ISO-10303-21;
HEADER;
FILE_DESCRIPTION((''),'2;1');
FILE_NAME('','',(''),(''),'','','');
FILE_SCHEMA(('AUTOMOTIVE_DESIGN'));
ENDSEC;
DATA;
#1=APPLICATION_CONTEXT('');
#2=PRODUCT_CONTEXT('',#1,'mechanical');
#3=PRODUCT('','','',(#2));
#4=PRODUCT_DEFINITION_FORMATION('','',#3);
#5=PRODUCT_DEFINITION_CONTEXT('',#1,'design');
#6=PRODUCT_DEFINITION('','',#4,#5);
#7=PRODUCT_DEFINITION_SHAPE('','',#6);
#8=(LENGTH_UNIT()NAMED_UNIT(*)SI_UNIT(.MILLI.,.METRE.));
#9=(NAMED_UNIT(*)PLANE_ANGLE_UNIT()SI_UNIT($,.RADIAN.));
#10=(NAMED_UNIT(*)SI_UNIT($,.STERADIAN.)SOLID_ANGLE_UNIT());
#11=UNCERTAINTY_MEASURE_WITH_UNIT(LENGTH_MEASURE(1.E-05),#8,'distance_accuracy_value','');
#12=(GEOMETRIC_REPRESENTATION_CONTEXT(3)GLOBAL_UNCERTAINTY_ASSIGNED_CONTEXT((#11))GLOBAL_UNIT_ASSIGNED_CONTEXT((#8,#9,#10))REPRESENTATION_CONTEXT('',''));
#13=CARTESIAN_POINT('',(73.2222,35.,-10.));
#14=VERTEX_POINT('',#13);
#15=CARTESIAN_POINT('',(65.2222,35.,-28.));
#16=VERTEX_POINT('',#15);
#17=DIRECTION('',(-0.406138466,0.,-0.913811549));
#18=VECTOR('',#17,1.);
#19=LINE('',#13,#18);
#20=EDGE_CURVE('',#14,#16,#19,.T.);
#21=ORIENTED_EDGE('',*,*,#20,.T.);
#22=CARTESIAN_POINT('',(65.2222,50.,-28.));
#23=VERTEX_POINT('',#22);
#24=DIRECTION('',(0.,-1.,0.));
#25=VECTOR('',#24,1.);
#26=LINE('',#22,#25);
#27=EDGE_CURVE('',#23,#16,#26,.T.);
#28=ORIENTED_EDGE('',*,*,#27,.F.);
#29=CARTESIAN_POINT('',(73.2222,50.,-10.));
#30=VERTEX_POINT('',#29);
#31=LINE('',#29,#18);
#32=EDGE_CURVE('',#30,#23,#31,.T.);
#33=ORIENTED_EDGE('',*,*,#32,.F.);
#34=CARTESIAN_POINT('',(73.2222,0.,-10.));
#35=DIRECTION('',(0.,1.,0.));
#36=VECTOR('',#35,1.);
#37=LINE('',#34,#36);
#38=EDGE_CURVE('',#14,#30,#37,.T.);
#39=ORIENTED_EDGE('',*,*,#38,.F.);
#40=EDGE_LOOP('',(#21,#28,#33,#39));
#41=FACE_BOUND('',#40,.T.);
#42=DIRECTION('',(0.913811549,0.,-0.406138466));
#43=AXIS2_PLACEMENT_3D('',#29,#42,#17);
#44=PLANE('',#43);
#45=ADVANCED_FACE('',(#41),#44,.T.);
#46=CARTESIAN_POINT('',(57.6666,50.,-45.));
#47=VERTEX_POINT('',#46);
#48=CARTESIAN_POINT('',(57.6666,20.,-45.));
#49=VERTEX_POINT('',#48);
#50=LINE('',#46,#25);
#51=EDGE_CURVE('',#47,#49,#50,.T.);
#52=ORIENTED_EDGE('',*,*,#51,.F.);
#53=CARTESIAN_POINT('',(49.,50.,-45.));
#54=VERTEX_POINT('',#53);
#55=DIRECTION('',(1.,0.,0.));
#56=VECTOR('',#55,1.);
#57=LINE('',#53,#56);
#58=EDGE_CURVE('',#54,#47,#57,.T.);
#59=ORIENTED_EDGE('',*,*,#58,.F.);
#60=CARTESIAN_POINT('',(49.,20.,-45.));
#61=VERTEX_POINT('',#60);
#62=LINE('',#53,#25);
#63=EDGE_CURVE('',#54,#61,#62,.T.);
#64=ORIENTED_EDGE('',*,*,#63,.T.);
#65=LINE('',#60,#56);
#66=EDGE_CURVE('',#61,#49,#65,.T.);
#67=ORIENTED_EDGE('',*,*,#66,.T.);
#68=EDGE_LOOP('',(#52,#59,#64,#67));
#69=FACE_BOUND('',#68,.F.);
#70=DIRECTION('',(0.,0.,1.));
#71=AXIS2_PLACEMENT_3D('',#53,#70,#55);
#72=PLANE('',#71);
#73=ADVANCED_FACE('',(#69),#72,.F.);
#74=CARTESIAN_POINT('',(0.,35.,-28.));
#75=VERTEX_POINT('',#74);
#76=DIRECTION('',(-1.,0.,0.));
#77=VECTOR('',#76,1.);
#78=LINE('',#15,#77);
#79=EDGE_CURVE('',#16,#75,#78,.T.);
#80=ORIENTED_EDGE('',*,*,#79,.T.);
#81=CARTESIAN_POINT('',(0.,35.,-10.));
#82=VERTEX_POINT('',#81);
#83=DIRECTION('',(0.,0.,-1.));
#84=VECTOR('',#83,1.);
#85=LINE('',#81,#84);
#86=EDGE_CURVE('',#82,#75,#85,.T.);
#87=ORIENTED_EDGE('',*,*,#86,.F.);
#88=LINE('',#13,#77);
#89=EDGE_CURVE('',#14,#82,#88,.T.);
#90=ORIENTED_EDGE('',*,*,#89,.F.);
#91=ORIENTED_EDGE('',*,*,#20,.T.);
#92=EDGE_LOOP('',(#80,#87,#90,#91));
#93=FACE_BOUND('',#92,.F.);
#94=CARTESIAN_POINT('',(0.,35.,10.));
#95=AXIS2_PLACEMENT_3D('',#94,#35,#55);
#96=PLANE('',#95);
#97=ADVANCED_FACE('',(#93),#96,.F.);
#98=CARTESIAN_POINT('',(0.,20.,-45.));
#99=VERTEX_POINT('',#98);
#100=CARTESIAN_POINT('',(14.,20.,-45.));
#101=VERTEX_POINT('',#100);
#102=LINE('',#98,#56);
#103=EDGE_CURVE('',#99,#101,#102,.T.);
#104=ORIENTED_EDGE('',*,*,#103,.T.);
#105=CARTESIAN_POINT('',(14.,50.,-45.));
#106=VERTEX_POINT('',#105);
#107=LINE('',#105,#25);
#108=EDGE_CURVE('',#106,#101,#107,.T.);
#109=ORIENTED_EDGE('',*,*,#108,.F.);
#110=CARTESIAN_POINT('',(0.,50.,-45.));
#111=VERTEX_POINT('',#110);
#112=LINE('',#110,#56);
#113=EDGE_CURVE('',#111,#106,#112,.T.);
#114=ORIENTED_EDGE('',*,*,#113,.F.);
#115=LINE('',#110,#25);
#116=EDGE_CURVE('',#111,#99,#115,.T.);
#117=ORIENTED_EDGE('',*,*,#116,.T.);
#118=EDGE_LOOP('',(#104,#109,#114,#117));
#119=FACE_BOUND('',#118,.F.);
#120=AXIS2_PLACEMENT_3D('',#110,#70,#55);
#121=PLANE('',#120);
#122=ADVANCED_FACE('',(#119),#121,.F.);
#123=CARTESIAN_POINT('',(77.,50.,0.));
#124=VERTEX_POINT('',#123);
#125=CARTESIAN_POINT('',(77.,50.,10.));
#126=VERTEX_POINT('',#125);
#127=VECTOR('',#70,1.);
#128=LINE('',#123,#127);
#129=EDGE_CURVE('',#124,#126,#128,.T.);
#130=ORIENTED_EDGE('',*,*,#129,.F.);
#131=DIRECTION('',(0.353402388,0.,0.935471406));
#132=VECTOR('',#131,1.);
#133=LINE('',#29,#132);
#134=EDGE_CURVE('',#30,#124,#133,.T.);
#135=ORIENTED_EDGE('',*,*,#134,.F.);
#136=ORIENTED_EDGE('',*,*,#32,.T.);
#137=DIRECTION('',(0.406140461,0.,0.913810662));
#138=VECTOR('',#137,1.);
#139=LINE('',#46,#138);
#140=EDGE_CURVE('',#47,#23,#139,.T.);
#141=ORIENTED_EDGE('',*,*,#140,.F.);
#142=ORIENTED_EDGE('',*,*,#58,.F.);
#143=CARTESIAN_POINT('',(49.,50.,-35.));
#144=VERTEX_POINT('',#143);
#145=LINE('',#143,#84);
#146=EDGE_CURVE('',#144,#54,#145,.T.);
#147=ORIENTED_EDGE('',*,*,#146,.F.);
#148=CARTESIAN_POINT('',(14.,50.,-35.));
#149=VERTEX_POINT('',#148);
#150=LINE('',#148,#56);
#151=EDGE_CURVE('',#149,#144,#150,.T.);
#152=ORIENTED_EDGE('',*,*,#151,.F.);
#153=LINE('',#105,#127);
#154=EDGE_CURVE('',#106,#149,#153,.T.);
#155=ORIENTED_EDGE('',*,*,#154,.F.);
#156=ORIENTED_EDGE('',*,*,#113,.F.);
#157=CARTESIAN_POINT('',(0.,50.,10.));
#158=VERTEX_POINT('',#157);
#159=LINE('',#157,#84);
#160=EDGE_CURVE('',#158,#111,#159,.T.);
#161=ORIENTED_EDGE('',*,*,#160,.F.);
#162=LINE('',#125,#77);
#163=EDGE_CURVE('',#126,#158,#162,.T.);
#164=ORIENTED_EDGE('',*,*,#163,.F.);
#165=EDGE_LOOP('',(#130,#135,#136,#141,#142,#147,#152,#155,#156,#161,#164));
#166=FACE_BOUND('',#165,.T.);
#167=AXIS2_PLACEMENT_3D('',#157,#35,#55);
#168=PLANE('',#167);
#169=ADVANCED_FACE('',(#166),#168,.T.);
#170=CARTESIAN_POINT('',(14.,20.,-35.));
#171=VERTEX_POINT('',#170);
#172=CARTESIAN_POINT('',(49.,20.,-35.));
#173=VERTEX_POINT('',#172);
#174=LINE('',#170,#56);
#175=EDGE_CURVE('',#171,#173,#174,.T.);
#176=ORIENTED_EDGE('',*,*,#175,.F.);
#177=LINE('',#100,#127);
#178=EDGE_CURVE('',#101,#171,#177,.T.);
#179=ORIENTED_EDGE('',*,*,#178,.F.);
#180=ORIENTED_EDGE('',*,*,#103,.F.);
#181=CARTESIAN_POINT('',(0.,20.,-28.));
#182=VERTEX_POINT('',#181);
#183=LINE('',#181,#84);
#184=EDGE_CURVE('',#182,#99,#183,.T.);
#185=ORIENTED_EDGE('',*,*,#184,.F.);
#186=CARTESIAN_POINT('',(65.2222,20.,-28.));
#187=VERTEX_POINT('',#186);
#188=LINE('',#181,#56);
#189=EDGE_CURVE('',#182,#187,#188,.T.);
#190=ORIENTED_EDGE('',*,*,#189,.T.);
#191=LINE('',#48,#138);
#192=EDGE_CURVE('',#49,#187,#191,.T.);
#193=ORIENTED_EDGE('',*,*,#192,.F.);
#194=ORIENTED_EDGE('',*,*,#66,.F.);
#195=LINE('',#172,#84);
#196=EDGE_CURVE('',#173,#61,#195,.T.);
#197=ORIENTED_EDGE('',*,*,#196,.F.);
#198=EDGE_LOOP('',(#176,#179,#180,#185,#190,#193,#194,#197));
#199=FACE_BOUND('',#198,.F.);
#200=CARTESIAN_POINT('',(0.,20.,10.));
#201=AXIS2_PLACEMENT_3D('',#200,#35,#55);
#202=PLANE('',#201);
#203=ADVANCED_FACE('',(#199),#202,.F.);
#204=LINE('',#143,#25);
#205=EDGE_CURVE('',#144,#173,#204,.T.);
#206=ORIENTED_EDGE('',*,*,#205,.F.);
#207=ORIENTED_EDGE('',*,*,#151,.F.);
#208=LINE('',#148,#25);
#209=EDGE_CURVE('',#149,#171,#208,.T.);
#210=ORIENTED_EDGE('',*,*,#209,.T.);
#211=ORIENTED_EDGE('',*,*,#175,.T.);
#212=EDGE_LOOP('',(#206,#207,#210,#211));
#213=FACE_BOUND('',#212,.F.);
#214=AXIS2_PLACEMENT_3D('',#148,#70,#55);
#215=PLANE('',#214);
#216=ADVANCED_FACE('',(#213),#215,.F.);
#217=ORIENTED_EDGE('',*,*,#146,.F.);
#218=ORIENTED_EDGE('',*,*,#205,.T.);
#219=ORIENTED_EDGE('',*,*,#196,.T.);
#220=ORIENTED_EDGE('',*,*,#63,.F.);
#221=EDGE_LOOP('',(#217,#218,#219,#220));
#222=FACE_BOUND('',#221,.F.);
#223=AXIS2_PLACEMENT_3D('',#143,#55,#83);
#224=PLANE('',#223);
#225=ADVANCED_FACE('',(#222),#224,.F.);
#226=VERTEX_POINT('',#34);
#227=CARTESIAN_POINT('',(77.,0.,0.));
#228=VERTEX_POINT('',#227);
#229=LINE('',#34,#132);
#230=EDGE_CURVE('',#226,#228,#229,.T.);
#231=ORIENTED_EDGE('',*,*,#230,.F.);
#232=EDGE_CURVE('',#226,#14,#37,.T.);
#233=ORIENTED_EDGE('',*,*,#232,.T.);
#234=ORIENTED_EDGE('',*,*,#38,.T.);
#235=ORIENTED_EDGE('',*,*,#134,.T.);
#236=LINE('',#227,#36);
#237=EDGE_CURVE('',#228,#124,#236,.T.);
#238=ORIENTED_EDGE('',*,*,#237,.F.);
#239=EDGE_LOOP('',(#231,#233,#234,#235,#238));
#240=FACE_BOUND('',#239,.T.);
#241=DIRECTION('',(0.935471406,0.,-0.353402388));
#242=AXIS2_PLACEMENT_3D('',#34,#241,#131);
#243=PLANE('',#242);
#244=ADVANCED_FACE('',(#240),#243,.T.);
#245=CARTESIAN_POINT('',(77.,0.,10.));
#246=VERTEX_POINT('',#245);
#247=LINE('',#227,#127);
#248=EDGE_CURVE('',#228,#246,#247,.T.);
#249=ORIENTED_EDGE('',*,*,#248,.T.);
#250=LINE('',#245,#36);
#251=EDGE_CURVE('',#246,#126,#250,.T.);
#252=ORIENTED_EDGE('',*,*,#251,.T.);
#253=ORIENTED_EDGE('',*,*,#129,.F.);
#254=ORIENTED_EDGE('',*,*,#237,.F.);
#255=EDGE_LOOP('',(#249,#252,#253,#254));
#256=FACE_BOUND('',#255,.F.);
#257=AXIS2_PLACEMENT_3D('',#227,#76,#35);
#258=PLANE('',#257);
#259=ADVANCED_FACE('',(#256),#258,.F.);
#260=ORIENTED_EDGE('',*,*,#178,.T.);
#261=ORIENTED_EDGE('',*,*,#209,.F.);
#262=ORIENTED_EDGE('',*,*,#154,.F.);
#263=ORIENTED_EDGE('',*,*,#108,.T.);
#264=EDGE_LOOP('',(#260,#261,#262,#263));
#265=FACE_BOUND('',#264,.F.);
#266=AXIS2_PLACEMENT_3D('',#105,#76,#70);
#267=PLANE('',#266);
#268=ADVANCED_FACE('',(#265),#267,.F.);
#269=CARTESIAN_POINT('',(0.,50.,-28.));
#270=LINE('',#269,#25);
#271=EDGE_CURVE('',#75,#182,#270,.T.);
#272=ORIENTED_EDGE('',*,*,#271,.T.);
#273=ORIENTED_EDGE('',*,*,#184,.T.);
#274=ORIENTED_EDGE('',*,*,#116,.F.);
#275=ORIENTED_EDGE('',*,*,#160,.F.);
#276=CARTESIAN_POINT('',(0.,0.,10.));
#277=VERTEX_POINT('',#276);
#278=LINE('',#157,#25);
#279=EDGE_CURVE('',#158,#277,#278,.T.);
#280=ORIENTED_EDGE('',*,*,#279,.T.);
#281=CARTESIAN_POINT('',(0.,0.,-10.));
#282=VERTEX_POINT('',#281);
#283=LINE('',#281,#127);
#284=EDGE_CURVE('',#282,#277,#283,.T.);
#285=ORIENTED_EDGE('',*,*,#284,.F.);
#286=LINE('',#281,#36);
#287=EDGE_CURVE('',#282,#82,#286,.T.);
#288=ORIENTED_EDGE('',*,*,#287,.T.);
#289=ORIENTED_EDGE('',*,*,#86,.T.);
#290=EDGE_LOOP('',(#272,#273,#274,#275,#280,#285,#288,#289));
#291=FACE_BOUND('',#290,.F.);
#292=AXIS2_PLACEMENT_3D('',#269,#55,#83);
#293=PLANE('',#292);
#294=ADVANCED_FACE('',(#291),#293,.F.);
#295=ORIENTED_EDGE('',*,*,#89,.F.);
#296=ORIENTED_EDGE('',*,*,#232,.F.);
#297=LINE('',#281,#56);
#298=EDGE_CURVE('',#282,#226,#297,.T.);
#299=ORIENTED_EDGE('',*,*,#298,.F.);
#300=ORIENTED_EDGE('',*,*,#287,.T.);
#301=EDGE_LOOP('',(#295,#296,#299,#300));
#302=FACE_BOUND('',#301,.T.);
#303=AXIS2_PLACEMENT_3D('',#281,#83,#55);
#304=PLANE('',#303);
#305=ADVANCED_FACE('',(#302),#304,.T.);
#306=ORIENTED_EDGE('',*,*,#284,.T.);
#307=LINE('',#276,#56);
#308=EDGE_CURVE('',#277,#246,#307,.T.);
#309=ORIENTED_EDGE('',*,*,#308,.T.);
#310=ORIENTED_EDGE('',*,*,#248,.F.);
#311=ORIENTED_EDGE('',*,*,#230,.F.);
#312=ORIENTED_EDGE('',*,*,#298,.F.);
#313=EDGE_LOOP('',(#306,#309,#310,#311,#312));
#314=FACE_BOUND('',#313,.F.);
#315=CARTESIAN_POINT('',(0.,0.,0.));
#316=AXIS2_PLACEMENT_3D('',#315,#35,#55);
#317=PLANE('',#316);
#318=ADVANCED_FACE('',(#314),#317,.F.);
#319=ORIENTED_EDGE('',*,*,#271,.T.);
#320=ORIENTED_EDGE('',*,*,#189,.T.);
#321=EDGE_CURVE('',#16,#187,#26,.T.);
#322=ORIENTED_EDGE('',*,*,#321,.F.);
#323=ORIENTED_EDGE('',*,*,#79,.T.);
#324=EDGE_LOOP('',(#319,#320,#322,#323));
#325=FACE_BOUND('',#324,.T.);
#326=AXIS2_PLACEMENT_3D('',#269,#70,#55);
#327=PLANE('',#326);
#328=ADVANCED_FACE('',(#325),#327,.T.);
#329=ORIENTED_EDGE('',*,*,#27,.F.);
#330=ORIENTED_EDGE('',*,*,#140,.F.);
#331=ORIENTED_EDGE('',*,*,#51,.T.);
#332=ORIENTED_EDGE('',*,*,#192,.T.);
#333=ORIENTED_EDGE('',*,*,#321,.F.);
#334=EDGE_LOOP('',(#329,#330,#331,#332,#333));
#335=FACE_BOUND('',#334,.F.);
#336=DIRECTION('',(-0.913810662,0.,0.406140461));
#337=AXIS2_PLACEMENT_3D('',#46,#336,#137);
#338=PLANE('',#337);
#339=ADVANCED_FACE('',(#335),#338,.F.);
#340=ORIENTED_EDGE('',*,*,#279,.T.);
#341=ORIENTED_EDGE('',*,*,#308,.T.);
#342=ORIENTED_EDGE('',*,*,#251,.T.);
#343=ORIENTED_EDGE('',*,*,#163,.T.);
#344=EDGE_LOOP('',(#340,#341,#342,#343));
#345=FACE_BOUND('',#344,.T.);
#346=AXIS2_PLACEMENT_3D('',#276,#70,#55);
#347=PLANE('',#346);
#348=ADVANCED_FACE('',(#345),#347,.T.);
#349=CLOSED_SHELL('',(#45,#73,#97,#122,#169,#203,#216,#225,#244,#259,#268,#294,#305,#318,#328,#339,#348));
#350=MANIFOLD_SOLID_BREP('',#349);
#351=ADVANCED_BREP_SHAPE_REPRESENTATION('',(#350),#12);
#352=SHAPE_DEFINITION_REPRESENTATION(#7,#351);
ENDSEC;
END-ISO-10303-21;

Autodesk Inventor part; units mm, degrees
ref_plane "YZ Plane" through (0, 0, 0) normal (1, 0, 0) x (0, 1, 0)
ref_plane "XZ Plane" through (0, 0, 0) normal (0, 1, 0) x (-1, 0, 0)
ref_plane "XY Plane" through (0, 0, 0) normal (0, 0, 1) x (1, 0, 0)
sketch "Szkic1" plane through (0, 0, 0) normal (0, 0, 1) x (1, 0, 0)
  line L0 (0, 0) -> (77, 0)
  line L1 (77, 0) -> (77, 50)
  line L2 (77, 50) -> (0, 50)
  line L3 (0, 50) -> (0, 0)
  dimension "d0" = 77
  dimension "d1" = 50
extrude "Wyciągnięcie proste1" add sketch "Szkic1" along normal blind 10
sketch "Szkic2" plane through (0, 0, 0) normal (0, -1, 0) x (1, 0, 0)
  line L0 (77, 0) -> (0, 0) projected
  line L1 (0, 0) -> (77, 0)
  line L2 (77, 0) -> (0, 0)
  line L3 (0, 0) -> (0, -10)
  line L4 (0, -10) -> (73.2222, -10)
  line L5 (77, 0) -> (0, 0)
  line L6 (73.2222, -10) -> (77, 0)
  dimension "d6" = 10
extrude "Wyciągnięcie proste2" add sketch "Szkic2" against normal blind 50
sketch "Szkic3" plane through (0, 50, 10) normal (0, 1, 0) x (1, 0, 0)
  line L0 (0, 20) -> (0, 0) projected
  line L1 (0, 20) -> (0, 38)
  line L2 (77, 10) -> (73.2222, 20) projected
  line L3 (73.2222, 20) -> (66.4222, 38)
  line L4 (66.4222, 38) -> (0, 38)
  point P0 (0, 10)
  dimension "d9" = 18
sketch "Szkic4" plane through (0, 50, 10) normal (0, 1, 0) x (1, 0, 0)
  line L0 (0, 20) -> (0, 0) projected
  line L1 (0, 20) -> (0, 38)
  line L2 (73.2222, 20) -> (0, 20) projected
  line L3 (0, 20) -> (73.2222, 20)
  line L4 (73.2222, 20) -> (65.2222, 38)
  line L5 (65.2222, 38) -> (0, 38)
  point P0 (0, 10)
  dimension "d10" = 18
extrude "Wyciągnięcie proste3" add sketch "Szkic4" against normal blind 15
sketch "Szkic5" plane through (0, 50, 10) normal (0, 1, 0) x (1, 0, 0)
  line L0 (0, 38) -> (65.2222, 38) projected
  line L1 (0, 38) -> (0, 55)
  line L2 (0, 38) -> (65.2222, 38)
  line L3 (65.2222, 38) -> (73.2222, 20) projected
  line L4 (57.6666, 55) -> (65.2222, 38)
  line L5 (0, 55) -> (14, 55)
  line L6 (14, 55) -> (14, 45)
  line L7 (14, 45) -> (49, 45)
  line L8 (49, 45) -> (49, 55)
  line L9 (49, 55) -> (57.6666, 55)
  point P0 (0, 10)
  dimension "d13" = 17
  dimension "d14" = 14
  dimension "d15" = 10
  dimension "d16" = 35
extrude "Wyciągnięcie proste4" add sketch "Szkic5" against normal blind 30
